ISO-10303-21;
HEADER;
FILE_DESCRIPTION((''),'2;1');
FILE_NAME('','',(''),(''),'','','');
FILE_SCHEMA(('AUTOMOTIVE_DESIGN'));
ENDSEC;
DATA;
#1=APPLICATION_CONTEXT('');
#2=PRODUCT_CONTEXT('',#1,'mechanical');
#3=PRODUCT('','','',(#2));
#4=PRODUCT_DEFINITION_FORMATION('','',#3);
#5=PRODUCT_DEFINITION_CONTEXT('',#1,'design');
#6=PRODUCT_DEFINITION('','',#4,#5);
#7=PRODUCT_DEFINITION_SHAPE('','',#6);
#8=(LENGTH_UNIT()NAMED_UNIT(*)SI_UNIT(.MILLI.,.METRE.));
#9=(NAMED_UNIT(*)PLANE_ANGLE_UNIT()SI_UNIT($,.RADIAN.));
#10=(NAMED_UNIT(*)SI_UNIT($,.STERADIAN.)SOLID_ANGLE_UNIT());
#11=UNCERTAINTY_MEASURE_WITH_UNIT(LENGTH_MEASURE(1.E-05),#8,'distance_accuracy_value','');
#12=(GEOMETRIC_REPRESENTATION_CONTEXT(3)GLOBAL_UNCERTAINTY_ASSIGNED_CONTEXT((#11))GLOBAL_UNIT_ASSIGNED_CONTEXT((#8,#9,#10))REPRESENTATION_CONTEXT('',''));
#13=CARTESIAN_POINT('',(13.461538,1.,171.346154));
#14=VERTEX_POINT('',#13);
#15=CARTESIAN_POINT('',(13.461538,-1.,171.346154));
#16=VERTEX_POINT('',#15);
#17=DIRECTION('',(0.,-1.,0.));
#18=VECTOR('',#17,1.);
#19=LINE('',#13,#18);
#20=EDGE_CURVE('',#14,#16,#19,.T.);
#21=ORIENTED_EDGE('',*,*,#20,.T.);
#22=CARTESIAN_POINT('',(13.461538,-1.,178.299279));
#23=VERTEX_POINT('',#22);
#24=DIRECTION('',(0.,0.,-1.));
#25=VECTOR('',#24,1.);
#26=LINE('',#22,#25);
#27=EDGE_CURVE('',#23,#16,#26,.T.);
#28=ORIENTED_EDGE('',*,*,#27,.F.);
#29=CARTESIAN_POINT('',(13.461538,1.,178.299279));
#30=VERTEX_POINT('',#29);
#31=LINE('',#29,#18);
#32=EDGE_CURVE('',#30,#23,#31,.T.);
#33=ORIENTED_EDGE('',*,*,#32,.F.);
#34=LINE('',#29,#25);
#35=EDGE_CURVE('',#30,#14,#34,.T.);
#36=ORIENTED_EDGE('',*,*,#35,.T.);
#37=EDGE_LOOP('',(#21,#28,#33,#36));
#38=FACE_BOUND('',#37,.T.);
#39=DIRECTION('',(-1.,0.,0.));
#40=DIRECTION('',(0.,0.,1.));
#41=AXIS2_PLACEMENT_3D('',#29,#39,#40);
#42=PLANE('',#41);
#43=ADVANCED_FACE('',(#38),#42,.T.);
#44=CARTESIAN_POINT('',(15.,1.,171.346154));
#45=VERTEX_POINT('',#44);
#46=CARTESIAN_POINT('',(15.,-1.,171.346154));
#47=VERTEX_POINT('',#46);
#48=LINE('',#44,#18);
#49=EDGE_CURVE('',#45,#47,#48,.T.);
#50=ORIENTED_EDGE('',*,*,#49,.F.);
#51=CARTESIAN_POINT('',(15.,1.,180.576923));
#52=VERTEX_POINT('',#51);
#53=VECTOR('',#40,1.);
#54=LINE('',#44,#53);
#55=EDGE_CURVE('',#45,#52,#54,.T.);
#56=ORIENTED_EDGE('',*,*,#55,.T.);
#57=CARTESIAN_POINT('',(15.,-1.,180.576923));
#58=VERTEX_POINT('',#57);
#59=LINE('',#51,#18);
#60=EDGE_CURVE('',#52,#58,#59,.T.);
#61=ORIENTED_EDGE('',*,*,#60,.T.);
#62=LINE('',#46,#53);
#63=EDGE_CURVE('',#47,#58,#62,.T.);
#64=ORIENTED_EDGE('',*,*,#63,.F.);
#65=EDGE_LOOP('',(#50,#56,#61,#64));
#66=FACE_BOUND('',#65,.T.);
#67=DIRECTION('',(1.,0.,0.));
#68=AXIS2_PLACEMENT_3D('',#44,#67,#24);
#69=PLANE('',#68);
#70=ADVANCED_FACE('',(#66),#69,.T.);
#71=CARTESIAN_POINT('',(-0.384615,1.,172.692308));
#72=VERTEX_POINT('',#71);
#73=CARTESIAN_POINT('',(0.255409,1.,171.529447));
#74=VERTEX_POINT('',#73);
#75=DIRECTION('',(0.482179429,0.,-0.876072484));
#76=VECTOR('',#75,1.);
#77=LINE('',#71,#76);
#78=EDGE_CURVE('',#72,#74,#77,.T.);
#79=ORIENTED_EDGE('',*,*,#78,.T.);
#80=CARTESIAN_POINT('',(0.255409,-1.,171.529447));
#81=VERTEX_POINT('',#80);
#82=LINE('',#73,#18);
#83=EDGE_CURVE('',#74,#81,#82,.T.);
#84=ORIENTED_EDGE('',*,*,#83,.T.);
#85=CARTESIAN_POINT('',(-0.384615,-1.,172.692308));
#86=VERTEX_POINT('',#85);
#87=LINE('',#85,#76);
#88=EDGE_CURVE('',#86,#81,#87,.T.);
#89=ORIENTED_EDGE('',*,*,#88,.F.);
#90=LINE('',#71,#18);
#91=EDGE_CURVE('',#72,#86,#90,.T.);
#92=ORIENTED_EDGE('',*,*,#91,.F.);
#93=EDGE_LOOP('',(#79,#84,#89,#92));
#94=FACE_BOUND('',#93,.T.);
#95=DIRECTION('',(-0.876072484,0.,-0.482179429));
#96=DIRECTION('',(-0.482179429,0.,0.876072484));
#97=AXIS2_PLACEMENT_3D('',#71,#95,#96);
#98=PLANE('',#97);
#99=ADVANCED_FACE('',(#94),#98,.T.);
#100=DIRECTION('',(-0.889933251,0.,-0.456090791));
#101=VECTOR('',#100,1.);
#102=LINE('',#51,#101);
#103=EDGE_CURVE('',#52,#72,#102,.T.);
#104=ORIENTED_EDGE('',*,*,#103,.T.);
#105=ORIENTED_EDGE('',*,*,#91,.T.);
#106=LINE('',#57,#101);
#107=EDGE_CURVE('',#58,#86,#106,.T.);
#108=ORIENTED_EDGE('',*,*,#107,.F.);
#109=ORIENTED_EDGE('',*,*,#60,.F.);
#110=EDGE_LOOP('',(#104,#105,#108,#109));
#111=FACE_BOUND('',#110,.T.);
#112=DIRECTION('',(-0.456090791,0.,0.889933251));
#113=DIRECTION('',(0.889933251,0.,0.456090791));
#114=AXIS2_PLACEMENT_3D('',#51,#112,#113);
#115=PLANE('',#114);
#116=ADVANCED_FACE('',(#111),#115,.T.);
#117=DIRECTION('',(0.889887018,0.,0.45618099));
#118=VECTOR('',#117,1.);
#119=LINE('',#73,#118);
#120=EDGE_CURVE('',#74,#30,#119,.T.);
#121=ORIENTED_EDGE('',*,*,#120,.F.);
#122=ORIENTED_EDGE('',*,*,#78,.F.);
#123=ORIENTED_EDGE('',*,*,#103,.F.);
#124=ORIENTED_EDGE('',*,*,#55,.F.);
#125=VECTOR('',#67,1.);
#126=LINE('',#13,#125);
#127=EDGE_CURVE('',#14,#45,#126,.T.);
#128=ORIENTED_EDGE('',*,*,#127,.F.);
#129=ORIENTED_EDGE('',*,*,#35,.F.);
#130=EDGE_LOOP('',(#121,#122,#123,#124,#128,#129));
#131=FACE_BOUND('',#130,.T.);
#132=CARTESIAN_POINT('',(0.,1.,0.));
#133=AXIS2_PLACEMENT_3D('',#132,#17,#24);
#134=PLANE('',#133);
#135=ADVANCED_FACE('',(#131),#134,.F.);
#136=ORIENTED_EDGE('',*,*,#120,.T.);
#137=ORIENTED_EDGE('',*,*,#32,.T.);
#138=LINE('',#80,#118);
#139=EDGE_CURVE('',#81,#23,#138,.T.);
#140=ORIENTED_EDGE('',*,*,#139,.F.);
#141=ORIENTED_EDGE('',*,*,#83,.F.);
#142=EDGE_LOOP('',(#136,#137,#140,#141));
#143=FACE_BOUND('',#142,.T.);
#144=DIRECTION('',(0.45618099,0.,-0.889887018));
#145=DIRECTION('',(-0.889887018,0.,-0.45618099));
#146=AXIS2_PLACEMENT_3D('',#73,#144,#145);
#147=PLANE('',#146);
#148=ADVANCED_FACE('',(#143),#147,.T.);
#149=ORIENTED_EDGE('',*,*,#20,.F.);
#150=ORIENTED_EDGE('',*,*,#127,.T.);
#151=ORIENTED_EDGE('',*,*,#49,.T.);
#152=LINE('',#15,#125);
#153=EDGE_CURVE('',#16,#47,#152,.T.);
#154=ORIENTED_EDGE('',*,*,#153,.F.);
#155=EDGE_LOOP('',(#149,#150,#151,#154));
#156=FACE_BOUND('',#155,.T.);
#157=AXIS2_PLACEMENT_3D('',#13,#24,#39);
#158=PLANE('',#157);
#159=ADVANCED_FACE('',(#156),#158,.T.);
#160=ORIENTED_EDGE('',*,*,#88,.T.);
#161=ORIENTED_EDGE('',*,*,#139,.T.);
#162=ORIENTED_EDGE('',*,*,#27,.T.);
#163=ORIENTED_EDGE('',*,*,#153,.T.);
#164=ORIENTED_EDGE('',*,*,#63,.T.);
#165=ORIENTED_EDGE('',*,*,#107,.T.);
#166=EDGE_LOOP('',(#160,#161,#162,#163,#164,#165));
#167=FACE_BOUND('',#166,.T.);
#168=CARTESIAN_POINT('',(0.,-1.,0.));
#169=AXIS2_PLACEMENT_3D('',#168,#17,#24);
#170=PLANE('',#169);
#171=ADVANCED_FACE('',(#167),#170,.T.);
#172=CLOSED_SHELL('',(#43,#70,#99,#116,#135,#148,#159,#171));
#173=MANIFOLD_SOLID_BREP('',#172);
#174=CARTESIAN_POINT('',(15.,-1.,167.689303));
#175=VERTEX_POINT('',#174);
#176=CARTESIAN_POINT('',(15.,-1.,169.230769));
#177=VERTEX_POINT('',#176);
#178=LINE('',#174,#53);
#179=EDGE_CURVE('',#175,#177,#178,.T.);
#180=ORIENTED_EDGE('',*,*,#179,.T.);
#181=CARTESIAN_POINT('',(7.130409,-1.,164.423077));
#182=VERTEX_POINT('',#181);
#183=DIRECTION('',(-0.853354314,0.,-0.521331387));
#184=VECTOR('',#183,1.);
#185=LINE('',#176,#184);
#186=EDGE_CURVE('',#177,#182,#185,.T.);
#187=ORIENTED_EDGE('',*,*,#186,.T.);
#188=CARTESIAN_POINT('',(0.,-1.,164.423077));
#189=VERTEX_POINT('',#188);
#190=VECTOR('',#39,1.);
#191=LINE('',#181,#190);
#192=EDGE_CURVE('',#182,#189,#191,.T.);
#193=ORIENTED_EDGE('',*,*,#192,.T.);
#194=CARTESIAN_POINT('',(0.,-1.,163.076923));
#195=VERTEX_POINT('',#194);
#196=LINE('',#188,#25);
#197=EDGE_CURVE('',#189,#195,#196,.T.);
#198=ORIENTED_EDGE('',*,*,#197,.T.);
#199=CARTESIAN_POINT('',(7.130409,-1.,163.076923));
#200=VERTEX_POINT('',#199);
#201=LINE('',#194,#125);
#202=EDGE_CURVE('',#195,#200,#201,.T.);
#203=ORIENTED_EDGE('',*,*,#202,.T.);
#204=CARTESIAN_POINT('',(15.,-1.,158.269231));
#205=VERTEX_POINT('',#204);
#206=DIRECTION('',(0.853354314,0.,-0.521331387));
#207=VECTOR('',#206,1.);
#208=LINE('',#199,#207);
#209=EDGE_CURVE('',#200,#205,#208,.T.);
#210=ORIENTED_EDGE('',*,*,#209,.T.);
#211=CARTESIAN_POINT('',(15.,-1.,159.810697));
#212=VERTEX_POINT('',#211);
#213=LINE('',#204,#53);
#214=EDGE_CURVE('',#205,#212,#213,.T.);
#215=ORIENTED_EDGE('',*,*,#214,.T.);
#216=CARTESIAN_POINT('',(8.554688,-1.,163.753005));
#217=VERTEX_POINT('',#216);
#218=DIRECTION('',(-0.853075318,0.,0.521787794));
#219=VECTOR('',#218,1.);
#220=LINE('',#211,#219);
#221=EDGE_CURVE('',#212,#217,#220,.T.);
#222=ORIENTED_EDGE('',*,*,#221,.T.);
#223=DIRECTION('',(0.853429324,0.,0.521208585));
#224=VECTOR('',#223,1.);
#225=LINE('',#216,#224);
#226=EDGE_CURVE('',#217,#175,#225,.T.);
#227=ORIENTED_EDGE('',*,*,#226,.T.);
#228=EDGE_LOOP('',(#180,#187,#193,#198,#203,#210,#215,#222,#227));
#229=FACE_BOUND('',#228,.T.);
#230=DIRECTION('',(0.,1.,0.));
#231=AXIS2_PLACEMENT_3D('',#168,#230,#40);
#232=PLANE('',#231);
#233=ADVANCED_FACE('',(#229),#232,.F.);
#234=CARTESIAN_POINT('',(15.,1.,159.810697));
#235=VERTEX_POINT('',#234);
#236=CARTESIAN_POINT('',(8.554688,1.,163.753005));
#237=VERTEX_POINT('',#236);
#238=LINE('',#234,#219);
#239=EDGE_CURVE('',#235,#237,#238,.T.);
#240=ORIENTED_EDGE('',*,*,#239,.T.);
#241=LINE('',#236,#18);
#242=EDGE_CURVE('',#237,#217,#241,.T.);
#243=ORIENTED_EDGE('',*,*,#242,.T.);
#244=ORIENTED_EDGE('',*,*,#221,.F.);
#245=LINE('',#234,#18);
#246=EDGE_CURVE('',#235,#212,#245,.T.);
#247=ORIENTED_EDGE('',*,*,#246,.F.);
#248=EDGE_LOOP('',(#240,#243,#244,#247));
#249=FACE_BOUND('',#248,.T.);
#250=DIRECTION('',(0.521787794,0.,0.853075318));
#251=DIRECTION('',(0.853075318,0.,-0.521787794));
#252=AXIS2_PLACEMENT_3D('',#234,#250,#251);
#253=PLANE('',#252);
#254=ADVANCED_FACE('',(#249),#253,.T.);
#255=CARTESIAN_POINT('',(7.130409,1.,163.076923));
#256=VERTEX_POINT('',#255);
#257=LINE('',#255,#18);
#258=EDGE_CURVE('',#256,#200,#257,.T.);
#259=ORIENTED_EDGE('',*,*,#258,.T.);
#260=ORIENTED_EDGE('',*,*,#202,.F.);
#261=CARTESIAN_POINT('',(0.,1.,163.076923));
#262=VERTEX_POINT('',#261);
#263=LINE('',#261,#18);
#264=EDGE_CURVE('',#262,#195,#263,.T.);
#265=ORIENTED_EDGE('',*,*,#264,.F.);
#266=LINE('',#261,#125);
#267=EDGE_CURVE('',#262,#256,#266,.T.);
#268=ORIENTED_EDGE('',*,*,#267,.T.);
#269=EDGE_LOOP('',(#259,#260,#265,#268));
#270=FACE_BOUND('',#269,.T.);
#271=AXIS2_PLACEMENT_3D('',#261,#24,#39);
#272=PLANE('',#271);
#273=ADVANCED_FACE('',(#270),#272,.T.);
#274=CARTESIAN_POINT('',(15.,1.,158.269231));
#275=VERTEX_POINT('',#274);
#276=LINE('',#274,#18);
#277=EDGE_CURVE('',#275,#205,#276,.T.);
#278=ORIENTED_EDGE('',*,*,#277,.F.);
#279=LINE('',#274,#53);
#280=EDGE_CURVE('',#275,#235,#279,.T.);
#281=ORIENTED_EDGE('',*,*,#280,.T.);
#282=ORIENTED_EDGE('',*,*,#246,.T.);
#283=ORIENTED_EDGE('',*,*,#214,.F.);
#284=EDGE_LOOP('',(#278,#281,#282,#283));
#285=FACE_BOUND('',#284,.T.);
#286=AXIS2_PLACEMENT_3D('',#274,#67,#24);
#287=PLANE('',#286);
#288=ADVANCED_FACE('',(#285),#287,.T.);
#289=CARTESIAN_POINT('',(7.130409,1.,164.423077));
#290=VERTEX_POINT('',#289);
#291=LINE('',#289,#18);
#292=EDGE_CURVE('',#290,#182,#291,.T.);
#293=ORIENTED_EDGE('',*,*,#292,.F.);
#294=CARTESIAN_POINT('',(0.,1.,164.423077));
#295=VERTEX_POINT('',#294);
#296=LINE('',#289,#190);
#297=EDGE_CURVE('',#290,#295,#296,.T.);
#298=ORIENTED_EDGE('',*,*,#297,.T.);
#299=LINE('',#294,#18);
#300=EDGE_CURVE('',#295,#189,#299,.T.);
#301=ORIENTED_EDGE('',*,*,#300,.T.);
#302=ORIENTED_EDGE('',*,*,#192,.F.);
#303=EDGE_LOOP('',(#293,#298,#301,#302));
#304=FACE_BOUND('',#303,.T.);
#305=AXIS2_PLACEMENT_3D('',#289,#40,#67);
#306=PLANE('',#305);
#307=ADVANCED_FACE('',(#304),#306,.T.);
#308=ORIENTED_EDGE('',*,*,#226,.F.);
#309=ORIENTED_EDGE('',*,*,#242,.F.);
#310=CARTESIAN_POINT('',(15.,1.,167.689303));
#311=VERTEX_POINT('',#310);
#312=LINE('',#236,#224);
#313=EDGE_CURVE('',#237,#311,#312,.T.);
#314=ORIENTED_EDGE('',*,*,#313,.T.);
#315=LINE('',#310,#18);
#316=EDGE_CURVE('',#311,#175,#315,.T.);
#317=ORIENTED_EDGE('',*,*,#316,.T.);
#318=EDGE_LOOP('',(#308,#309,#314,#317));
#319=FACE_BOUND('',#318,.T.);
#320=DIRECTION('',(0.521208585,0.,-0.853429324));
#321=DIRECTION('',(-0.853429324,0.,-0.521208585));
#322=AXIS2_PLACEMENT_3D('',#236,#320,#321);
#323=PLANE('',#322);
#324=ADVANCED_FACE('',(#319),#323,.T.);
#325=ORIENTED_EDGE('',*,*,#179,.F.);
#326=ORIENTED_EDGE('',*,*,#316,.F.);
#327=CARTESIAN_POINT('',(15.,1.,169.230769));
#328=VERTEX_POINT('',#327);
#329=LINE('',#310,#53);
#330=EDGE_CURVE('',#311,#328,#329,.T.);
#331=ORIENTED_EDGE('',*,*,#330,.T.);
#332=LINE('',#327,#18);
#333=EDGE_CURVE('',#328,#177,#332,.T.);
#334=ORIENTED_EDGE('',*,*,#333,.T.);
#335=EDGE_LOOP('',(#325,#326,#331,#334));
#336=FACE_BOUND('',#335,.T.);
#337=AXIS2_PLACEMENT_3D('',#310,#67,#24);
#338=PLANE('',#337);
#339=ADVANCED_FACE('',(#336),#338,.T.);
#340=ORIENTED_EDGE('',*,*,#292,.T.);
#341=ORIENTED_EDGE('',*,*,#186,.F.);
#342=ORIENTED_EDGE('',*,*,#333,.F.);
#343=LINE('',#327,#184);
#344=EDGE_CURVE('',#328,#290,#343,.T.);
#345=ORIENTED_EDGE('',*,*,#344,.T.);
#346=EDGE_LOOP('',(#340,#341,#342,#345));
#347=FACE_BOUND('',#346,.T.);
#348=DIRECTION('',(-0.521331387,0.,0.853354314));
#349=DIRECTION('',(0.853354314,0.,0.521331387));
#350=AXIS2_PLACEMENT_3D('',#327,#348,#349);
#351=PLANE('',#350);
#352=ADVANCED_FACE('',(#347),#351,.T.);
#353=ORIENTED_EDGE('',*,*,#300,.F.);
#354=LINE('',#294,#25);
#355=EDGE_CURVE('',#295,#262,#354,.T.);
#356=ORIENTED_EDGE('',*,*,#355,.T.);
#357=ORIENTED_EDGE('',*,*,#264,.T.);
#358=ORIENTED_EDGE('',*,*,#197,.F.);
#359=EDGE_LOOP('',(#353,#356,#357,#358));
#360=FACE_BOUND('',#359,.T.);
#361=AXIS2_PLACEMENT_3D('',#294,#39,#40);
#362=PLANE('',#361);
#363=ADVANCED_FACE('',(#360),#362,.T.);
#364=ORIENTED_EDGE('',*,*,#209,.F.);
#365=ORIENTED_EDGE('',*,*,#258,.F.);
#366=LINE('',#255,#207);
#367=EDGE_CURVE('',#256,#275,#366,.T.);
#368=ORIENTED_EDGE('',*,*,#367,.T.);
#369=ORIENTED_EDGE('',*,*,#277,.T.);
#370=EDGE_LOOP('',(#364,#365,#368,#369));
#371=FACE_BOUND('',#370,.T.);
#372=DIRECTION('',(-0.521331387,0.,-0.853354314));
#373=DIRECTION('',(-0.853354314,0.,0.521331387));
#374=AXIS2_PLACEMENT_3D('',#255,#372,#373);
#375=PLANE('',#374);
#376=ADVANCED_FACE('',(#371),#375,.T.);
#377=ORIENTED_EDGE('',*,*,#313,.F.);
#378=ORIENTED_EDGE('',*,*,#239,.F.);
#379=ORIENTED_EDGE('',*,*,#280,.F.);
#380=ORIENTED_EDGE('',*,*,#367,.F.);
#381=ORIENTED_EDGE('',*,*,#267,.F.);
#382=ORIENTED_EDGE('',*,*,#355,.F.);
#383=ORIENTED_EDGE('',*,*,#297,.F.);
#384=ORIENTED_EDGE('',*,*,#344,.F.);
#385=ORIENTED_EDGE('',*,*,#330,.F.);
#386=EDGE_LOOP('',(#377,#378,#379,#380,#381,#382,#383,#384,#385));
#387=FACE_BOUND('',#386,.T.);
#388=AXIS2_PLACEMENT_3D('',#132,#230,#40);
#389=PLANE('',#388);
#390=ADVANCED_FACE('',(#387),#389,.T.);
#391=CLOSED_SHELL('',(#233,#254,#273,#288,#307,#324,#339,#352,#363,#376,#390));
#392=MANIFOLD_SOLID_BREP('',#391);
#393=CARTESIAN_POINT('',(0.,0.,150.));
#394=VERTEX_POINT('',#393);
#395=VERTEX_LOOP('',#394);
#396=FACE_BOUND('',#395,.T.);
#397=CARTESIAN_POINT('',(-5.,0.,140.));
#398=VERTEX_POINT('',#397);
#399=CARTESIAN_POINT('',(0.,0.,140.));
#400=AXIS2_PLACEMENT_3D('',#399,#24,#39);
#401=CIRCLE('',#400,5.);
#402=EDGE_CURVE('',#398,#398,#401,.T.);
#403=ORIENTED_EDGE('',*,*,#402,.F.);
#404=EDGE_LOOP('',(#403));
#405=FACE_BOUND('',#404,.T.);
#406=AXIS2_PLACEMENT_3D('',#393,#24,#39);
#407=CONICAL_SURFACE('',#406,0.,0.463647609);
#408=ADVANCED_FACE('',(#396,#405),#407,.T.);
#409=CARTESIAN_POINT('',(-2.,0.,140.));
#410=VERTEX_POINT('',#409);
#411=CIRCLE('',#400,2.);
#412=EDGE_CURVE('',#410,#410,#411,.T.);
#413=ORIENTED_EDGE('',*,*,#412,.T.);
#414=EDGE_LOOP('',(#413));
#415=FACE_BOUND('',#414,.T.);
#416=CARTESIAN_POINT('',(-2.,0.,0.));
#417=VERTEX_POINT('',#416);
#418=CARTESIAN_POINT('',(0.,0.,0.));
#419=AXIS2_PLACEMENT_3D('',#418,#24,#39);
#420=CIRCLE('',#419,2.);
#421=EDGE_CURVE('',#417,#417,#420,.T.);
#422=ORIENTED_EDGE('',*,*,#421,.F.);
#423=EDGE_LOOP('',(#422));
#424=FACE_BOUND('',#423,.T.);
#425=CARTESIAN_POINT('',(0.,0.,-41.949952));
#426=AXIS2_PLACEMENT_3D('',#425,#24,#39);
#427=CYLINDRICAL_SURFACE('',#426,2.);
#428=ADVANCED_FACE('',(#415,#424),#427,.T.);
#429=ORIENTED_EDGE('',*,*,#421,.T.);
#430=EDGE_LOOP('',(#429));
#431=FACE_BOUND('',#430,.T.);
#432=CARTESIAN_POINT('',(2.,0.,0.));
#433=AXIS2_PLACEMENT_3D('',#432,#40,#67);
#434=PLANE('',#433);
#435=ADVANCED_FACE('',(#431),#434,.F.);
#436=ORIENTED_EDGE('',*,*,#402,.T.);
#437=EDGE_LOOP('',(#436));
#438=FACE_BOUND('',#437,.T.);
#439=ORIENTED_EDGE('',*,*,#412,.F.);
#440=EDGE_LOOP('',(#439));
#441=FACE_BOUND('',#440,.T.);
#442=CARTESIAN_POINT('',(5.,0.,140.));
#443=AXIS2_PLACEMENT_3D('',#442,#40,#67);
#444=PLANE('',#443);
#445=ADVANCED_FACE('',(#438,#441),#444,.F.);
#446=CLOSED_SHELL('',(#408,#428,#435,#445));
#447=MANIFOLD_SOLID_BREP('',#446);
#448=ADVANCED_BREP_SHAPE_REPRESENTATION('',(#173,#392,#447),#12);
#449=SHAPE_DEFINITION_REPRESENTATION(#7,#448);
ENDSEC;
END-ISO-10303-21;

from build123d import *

# Parameters (mm, degrees)
BOSS_EXTRUDE1_DEPTH        = 1
BOSS_EXTRUDE1_DEPTH_BACK   = 1
BOSS_EXTRUDE1_2_DEPTH      = 1
BOSS_EXTRUDE1_2_DEPTH_BACK = 1


with BuildPart() as part:
    # Sketch2 → Revolve1 (revolve)
    with BuildSketch(Plane(origin=(0, 0, 0), x_dir=(1, 0, 0), z_dir=(0, 1, 0))):
        Polygon((0, -150), (5, -140), (2, -140), (2, 0), (0, 0), align=None)
    revolve(axis=Axis((0, 0, -41.949952025), (0, 0, 1)))


with BuildPart() as body_2:
    # Sketch3 → Boss-Extrude1 (new, two sides: drawn at the far end of the back side and taken through both)
    with BuildSketch(Plane(origin=(0, 0, 0), x_dir=(1, 0, 0), z_dir=(0, 1, 0)).offset(-BOSS_EXTRUDE1_DEPTH_BACK)):
        Polygon((15, -158.269230769), (15, -159.810697115), (8.5546875, -163.753004808), (15, -167.689302885), (15, -169.230769231), (7.130408654, -164.423076923), (0, -164.423076923), (0, -163.076923077), (7.130408654, -163.076923077), align=None)
    extrude(amount=BOSS_EXTRUDE1_DEPTH + BOSS_EXTRUDE1_DEPTH_BACK)


with BuildPart() as body_3:
    # Sketch3 → Boss-Extrude1 2 (new, two sides: drawn at the far end of the back side and taken through both)
    with BuildSketch(Plane(origin=(0, 0, 0), x_dir=(1, 0, 0), z_dir=(0, 1, 0)).offset(-BOSS_EXTRUDE1_2_DEPTH_BACK)):
        Polygon((15, -171.346153846), (15, -180.576923077), (-0.384615385, -172.692307692), (0.255408654, -171.529447115), (13.461538462, -178.299278846), (13.461538462, -171.346153846), align=None)
    extrude(amount=BOSS_EXTRUDE1_2_DEPTH + BOSS_EXTRUDE1_2_DEPTH_BACK)


solid = Compound([part.part, body_2.part, body_3.part])
